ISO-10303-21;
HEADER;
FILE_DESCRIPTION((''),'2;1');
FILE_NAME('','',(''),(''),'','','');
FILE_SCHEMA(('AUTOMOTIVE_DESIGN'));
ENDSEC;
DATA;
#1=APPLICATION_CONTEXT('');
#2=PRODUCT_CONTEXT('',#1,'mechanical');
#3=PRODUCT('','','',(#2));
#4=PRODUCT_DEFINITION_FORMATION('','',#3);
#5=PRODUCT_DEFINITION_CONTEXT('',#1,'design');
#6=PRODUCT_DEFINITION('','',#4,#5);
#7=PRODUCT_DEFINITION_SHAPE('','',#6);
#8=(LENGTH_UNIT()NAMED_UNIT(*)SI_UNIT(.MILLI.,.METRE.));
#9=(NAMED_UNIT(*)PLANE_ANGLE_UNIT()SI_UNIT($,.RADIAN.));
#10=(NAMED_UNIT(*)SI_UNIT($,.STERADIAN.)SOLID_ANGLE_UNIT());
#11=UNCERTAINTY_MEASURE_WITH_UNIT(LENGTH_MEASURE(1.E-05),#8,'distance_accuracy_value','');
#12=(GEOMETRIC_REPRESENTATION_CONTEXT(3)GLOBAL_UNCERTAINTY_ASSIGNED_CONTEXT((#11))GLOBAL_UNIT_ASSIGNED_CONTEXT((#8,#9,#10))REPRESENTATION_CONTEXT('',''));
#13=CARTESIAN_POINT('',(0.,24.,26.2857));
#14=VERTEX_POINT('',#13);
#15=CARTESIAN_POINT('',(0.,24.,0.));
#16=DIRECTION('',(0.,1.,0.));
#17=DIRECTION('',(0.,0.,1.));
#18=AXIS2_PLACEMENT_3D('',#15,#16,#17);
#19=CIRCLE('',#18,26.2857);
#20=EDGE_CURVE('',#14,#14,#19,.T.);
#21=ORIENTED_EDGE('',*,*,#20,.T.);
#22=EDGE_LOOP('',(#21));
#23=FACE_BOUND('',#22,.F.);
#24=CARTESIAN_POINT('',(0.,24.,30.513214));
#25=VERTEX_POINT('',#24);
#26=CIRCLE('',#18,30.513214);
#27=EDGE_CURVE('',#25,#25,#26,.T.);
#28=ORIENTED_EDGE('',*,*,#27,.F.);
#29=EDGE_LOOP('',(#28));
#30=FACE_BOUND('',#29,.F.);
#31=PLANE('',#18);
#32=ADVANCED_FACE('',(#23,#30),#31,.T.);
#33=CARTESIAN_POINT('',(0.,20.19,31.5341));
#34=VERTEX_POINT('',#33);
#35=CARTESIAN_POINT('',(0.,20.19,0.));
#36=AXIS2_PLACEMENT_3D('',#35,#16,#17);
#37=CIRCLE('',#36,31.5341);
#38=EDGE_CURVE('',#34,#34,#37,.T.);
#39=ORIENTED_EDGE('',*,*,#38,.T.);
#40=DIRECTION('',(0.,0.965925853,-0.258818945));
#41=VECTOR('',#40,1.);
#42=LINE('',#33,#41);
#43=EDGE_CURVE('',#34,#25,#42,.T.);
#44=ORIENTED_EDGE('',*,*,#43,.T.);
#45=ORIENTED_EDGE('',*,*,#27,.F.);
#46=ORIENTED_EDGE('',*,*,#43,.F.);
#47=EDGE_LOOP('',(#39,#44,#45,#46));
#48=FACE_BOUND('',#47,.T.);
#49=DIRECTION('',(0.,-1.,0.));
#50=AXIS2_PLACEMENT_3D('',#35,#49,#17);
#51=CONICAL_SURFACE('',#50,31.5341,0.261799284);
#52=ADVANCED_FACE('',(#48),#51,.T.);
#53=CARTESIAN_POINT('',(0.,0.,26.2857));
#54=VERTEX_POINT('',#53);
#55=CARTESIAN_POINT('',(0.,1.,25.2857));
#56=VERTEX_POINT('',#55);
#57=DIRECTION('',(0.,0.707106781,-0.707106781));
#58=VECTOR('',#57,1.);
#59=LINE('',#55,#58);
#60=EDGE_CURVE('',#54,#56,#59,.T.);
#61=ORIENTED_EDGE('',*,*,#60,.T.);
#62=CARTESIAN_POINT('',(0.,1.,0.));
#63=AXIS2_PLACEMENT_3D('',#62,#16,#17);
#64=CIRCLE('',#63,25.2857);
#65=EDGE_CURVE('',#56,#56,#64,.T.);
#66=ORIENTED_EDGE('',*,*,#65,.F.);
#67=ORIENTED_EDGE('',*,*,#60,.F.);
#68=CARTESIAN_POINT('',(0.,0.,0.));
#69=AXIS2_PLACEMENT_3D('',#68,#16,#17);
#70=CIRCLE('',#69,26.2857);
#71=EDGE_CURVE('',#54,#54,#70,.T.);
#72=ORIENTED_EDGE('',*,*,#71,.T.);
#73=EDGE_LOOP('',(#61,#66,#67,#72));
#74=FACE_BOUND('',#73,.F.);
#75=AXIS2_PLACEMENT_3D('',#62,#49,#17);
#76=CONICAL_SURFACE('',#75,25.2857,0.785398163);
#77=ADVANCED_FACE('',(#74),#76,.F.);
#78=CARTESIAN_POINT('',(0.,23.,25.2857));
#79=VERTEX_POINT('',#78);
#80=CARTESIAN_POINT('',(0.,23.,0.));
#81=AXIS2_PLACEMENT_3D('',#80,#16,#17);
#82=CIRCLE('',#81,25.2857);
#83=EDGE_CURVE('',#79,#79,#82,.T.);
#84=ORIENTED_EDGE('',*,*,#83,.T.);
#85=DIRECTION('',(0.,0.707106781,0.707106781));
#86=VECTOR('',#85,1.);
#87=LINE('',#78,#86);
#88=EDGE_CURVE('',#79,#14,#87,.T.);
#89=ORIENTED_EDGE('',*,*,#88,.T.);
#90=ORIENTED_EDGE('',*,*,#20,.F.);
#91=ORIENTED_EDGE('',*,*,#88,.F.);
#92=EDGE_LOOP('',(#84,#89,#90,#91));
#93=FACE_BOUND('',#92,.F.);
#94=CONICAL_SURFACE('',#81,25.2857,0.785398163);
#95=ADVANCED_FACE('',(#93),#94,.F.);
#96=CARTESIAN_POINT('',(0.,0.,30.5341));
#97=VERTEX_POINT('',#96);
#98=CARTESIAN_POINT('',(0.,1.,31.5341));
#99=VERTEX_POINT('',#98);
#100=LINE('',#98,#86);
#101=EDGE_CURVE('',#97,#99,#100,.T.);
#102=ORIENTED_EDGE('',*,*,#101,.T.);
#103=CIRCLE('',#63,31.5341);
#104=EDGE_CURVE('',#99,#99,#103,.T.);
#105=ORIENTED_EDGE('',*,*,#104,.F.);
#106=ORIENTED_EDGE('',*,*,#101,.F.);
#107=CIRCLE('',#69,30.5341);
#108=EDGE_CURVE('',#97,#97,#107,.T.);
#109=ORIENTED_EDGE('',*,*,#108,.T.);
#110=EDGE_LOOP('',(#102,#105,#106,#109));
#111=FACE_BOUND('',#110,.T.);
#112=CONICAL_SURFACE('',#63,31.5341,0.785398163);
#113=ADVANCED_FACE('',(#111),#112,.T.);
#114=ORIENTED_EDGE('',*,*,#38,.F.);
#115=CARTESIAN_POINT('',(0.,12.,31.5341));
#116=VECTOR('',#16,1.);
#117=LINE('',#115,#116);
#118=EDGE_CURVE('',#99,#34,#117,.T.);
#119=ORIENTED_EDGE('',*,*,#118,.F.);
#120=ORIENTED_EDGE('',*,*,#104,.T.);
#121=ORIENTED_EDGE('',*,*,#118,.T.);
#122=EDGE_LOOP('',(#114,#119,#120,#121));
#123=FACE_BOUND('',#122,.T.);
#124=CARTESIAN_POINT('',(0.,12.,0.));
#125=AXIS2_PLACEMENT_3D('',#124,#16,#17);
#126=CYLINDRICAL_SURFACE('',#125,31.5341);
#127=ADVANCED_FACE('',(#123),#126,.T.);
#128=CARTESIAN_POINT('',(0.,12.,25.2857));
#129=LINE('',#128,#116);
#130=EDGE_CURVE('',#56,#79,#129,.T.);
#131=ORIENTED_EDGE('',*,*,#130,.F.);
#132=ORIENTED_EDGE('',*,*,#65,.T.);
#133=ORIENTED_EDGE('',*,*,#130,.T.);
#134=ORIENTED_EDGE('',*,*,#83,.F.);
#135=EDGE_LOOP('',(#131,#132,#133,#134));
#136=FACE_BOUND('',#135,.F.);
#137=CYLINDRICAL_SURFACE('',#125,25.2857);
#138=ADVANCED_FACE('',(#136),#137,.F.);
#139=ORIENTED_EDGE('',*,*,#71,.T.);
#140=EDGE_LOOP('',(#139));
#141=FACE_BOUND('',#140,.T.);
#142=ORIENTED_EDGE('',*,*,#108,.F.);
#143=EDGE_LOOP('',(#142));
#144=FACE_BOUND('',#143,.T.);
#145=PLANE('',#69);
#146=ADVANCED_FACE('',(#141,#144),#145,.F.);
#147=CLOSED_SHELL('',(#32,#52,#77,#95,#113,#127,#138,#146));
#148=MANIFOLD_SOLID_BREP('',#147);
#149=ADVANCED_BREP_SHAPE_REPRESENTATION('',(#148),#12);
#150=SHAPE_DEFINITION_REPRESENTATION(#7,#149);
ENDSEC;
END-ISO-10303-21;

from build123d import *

# Parameters (mm, degrees)
F0_W     = 24
F0_H     = 6.2484
F2_SIZE  = 1
F3_SIZE2 = 1.020886
F3_SIZE  = 3.81


with BuildPart() as f1:
    # F0 (on Right) → F1 (revolve)
    with BuildSketch(Plane.YZ):
        with Locations((12, 28.4099)):
            Rectangle(F0_W, F0_H)
    revolve(axis=Axis((0, 10.069529, 0), (0, 1, 0)))

    # F2
    f2_edges = [f1.edges().sort_by_distance(p)[0] for p in [
        (0, 0, -25.2857),
        (0, 0, -31.5341),
        (0, 24, -25.2857),
    ]]
    chamfer(f2_edges, length=F2_SIZE)

    # F3
    f3_edges = [f1.edges().sort_by_distance(p)[0] for p in [
        (0, 24, -31.5341),
    ]]
    chamfer(f3_edges, length=F3_SIZE, length2=F3_SIZE2)


solid = f1.part
